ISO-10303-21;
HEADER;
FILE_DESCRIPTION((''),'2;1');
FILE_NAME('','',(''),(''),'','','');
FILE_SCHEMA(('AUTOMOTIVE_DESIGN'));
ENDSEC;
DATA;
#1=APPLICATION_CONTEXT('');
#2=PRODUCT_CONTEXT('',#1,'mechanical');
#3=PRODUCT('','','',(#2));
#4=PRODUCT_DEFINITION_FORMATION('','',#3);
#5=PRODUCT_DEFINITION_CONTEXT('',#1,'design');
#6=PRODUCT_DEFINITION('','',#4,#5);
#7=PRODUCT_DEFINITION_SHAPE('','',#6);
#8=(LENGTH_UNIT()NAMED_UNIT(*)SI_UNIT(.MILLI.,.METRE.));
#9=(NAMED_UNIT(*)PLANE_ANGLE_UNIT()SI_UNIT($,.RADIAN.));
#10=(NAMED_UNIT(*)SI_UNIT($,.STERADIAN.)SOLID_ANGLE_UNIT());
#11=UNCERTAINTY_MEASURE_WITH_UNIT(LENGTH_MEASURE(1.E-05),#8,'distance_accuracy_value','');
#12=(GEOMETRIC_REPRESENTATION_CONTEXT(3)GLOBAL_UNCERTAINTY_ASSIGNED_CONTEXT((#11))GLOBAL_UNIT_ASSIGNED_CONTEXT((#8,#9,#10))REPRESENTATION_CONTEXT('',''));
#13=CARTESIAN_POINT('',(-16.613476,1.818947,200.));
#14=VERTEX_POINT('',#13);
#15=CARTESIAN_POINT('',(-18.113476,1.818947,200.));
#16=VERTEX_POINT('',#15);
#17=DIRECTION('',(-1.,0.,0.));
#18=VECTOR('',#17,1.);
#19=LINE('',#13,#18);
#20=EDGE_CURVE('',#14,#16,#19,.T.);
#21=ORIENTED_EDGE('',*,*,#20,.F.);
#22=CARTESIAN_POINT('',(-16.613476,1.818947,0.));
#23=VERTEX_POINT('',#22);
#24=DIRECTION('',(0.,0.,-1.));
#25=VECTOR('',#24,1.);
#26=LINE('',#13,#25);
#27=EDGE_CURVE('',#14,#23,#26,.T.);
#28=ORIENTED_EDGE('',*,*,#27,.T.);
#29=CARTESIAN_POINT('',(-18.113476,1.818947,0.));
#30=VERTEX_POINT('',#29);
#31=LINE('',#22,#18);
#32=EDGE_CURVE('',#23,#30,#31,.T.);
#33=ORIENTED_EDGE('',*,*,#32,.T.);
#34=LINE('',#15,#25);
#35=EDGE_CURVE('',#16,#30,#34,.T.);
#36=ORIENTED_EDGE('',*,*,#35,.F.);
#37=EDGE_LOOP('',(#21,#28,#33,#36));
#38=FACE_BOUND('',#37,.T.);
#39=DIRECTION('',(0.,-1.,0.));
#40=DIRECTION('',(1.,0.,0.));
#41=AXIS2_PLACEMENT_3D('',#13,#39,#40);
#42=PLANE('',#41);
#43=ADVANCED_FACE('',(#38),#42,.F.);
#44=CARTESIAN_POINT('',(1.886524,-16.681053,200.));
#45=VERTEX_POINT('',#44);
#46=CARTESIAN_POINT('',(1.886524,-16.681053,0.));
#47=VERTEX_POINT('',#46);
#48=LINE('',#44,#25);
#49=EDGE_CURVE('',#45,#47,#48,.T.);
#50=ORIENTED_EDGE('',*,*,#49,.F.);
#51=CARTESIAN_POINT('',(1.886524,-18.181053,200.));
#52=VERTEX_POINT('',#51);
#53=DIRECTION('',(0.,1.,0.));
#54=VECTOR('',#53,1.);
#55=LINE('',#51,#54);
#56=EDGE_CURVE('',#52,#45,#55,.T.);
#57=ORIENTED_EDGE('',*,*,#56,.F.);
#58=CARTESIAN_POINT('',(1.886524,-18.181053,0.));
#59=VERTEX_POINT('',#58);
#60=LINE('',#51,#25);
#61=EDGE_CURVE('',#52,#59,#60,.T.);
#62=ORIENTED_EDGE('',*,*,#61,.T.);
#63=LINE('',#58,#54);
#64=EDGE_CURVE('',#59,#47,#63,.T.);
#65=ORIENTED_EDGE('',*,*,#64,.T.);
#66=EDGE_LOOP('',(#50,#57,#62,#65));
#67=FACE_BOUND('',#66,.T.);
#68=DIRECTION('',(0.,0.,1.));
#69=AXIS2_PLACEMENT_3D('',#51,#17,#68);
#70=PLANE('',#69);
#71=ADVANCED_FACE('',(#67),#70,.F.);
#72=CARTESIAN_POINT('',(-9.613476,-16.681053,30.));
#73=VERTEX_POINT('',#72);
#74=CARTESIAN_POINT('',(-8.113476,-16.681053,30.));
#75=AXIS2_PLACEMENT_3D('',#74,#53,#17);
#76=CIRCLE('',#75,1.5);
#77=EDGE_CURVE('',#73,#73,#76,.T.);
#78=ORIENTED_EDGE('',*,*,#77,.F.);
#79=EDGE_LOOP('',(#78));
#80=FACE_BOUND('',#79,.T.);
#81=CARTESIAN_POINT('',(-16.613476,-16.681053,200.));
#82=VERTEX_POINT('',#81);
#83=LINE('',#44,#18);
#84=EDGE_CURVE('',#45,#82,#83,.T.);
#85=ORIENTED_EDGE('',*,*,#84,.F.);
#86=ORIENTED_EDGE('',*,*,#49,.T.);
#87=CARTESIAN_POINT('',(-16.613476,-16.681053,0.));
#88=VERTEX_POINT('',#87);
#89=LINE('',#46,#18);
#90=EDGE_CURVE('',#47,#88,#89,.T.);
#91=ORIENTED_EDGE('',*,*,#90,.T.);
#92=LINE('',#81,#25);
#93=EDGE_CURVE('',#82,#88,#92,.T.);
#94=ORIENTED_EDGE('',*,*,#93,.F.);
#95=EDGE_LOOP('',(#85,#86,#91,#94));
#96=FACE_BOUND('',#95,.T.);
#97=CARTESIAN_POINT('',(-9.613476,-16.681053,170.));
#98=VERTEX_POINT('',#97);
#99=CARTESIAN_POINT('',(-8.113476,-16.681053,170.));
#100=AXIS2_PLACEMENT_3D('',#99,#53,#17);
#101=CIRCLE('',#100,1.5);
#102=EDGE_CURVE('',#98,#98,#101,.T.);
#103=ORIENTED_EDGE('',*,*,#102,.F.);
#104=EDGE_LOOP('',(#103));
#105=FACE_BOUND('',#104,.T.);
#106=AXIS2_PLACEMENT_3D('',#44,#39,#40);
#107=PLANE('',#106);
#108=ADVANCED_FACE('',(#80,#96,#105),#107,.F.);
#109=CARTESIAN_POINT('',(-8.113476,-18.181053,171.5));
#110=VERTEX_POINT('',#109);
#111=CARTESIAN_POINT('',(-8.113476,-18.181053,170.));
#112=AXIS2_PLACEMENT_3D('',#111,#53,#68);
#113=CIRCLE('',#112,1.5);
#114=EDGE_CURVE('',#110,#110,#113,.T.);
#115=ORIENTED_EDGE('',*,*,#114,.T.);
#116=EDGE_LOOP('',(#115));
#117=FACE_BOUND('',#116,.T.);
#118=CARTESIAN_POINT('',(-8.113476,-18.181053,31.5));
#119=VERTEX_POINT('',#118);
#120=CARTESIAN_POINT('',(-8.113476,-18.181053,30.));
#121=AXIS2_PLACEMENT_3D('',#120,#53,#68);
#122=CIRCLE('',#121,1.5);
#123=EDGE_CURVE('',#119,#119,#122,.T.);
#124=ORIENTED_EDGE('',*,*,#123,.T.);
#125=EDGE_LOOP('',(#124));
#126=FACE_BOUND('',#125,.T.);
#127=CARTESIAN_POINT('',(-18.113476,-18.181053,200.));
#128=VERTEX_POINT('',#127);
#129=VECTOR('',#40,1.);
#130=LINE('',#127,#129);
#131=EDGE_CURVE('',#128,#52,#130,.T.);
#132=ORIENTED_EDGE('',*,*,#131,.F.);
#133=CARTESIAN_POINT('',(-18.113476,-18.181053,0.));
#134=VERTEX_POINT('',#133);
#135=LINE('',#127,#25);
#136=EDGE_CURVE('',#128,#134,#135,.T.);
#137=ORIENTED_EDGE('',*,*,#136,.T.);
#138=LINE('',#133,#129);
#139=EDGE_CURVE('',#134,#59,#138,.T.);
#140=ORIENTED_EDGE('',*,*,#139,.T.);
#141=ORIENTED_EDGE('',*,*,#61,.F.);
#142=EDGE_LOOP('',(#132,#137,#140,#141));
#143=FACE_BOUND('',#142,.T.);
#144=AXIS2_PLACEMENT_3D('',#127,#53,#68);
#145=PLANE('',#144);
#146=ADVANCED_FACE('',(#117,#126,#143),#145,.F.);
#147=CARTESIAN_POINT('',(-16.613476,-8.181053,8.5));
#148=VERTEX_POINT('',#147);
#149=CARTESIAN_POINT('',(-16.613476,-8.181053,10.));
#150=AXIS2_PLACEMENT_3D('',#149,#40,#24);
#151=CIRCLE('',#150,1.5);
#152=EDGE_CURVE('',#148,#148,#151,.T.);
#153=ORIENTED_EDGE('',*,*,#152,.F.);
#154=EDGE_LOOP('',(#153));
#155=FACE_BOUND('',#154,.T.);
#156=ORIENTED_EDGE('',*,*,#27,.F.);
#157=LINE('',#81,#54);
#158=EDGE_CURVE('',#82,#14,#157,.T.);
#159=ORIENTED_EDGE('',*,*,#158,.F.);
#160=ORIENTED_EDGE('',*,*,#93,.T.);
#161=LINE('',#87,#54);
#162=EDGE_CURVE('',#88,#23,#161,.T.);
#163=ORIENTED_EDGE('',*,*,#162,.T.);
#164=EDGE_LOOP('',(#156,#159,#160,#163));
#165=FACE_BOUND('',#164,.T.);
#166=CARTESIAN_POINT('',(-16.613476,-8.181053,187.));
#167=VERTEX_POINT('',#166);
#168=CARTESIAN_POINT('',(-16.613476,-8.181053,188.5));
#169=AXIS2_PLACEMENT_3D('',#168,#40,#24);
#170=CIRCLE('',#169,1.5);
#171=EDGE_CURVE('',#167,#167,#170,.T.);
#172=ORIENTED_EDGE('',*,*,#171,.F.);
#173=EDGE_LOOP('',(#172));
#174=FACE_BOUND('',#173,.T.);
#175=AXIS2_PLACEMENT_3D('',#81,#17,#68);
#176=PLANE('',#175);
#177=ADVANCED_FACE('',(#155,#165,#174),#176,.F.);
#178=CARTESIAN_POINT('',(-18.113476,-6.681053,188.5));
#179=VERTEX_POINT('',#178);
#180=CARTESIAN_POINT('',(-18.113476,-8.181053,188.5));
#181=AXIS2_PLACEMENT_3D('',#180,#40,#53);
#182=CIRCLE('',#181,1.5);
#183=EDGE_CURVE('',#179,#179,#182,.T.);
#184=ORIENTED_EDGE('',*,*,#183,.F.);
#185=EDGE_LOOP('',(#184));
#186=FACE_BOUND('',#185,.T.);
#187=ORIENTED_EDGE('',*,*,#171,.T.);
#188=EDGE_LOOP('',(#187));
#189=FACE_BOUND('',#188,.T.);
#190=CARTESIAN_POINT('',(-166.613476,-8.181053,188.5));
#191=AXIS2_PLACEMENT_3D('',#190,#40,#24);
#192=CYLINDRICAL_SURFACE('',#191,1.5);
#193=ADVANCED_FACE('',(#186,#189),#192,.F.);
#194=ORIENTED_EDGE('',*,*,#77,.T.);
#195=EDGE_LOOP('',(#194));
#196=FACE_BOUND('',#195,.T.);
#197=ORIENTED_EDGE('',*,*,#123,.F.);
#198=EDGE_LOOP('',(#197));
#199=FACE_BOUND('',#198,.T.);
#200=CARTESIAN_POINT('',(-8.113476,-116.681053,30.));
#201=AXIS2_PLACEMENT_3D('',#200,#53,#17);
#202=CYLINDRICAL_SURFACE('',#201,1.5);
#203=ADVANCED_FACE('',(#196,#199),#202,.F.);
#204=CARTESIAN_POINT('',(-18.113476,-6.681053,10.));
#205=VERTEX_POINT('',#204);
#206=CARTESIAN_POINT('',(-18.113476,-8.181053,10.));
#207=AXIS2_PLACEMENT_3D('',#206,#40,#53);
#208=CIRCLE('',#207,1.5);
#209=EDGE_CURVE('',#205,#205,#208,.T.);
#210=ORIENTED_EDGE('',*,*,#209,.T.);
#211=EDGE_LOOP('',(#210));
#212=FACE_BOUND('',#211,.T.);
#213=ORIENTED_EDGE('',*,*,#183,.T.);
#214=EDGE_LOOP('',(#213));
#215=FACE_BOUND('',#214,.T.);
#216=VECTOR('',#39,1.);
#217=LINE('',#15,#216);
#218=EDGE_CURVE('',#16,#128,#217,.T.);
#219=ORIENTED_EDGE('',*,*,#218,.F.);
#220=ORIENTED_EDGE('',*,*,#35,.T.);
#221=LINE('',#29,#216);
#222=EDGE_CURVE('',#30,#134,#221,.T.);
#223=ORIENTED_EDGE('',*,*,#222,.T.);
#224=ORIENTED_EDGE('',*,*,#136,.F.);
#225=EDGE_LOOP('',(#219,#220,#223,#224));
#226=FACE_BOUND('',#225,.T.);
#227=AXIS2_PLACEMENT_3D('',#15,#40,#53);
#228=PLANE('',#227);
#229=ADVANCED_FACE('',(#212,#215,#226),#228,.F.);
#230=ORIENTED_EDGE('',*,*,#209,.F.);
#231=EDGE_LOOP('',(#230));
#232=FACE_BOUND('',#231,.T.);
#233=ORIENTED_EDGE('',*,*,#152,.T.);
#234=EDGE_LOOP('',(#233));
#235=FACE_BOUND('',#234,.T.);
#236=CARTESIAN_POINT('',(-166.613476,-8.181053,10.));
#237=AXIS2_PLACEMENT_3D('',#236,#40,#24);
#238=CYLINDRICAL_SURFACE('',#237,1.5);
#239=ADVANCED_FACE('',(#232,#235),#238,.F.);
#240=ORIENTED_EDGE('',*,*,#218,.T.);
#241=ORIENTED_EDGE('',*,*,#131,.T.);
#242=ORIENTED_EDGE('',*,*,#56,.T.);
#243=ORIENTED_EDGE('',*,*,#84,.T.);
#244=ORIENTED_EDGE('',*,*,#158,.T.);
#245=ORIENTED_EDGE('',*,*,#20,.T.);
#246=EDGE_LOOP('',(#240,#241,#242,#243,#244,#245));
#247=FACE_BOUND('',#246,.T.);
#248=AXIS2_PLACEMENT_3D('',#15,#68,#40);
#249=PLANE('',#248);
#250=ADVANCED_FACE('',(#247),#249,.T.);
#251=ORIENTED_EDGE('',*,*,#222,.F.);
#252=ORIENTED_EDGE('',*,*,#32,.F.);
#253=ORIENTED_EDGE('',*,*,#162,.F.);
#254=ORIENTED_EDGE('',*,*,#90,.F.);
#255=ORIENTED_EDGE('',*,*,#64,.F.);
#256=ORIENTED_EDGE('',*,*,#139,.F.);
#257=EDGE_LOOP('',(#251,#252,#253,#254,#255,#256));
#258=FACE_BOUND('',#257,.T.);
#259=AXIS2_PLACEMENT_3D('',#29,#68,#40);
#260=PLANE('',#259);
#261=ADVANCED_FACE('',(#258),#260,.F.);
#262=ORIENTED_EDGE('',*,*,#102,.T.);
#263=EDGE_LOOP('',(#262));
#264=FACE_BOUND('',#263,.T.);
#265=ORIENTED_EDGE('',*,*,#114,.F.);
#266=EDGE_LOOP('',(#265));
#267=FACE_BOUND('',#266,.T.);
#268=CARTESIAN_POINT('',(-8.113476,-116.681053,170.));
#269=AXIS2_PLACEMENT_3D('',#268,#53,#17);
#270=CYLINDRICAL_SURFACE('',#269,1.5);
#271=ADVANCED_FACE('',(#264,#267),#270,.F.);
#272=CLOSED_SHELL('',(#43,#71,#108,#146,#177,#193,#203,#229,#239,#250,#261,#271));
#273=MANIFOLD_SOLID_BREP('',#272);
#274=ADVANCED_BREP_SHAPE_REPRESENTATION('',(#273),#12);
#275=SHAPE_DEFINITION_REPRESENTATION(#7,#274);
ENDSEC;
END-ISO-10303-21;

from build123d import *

# Parameters (mm, degrees)
EXTRUSION1_DEPTH = 200
ESQUISSE3_R      = 1.5
EXTRUSION3_DEPTH = 150
ESQUISSE2_R      = 1.5
EXTRUSION4_DEPTH = 100


with BuildPart() as part:
    # Esquisse1 → Extrusion1 (new body)
    with BuildSketch(Plane.XY):
        Polygon((-18.113475854, 1.818947368), (-18.113475854, -18.181052632), (1.886524146, -18.181052632), (1.886524146, -16.681052632), (-16.613475854, -16.681052632), (-16.613475854, 1.818947368), align=None)
    extrude(amount=EXTRUSION1_DEPTH)

    # Esquisse3 → Extrusion3 (cut)
    with BuildSketch(Plane(origin=(-16.613475854, 0, 0), x_dir=(0, 0, -1), z_dir=(1, 0, 0))):
        with Locations((-10, -8.181052632)):
            Circle(ESQUISSE3_R)
        with Locations((-188.5, -8.181052632)):
            Circle(ESQUISSE3_R)
    extrude(amount=-EXTRUSION3_DEPTH, mode=Mode.SUBTRACT)

    # Esquisse2 → Extrusion4 (cut)
    with BuildSketch(Plane(origin=(0, -16.681052632, 0), x_dir=(-1, 0, 0), z_dir=(0, 1, 0))):
        with Locations((8.113475854, 170)):
            Circle(ESQUISSE2_R)
        with Locations((8.113475854, 30)):
            Circle(ESQUISSE2_R)
    extrude(amount=-EXTRUSION4_DEPTH, mode=Mode.SUBTRACT)


solid = part.part
